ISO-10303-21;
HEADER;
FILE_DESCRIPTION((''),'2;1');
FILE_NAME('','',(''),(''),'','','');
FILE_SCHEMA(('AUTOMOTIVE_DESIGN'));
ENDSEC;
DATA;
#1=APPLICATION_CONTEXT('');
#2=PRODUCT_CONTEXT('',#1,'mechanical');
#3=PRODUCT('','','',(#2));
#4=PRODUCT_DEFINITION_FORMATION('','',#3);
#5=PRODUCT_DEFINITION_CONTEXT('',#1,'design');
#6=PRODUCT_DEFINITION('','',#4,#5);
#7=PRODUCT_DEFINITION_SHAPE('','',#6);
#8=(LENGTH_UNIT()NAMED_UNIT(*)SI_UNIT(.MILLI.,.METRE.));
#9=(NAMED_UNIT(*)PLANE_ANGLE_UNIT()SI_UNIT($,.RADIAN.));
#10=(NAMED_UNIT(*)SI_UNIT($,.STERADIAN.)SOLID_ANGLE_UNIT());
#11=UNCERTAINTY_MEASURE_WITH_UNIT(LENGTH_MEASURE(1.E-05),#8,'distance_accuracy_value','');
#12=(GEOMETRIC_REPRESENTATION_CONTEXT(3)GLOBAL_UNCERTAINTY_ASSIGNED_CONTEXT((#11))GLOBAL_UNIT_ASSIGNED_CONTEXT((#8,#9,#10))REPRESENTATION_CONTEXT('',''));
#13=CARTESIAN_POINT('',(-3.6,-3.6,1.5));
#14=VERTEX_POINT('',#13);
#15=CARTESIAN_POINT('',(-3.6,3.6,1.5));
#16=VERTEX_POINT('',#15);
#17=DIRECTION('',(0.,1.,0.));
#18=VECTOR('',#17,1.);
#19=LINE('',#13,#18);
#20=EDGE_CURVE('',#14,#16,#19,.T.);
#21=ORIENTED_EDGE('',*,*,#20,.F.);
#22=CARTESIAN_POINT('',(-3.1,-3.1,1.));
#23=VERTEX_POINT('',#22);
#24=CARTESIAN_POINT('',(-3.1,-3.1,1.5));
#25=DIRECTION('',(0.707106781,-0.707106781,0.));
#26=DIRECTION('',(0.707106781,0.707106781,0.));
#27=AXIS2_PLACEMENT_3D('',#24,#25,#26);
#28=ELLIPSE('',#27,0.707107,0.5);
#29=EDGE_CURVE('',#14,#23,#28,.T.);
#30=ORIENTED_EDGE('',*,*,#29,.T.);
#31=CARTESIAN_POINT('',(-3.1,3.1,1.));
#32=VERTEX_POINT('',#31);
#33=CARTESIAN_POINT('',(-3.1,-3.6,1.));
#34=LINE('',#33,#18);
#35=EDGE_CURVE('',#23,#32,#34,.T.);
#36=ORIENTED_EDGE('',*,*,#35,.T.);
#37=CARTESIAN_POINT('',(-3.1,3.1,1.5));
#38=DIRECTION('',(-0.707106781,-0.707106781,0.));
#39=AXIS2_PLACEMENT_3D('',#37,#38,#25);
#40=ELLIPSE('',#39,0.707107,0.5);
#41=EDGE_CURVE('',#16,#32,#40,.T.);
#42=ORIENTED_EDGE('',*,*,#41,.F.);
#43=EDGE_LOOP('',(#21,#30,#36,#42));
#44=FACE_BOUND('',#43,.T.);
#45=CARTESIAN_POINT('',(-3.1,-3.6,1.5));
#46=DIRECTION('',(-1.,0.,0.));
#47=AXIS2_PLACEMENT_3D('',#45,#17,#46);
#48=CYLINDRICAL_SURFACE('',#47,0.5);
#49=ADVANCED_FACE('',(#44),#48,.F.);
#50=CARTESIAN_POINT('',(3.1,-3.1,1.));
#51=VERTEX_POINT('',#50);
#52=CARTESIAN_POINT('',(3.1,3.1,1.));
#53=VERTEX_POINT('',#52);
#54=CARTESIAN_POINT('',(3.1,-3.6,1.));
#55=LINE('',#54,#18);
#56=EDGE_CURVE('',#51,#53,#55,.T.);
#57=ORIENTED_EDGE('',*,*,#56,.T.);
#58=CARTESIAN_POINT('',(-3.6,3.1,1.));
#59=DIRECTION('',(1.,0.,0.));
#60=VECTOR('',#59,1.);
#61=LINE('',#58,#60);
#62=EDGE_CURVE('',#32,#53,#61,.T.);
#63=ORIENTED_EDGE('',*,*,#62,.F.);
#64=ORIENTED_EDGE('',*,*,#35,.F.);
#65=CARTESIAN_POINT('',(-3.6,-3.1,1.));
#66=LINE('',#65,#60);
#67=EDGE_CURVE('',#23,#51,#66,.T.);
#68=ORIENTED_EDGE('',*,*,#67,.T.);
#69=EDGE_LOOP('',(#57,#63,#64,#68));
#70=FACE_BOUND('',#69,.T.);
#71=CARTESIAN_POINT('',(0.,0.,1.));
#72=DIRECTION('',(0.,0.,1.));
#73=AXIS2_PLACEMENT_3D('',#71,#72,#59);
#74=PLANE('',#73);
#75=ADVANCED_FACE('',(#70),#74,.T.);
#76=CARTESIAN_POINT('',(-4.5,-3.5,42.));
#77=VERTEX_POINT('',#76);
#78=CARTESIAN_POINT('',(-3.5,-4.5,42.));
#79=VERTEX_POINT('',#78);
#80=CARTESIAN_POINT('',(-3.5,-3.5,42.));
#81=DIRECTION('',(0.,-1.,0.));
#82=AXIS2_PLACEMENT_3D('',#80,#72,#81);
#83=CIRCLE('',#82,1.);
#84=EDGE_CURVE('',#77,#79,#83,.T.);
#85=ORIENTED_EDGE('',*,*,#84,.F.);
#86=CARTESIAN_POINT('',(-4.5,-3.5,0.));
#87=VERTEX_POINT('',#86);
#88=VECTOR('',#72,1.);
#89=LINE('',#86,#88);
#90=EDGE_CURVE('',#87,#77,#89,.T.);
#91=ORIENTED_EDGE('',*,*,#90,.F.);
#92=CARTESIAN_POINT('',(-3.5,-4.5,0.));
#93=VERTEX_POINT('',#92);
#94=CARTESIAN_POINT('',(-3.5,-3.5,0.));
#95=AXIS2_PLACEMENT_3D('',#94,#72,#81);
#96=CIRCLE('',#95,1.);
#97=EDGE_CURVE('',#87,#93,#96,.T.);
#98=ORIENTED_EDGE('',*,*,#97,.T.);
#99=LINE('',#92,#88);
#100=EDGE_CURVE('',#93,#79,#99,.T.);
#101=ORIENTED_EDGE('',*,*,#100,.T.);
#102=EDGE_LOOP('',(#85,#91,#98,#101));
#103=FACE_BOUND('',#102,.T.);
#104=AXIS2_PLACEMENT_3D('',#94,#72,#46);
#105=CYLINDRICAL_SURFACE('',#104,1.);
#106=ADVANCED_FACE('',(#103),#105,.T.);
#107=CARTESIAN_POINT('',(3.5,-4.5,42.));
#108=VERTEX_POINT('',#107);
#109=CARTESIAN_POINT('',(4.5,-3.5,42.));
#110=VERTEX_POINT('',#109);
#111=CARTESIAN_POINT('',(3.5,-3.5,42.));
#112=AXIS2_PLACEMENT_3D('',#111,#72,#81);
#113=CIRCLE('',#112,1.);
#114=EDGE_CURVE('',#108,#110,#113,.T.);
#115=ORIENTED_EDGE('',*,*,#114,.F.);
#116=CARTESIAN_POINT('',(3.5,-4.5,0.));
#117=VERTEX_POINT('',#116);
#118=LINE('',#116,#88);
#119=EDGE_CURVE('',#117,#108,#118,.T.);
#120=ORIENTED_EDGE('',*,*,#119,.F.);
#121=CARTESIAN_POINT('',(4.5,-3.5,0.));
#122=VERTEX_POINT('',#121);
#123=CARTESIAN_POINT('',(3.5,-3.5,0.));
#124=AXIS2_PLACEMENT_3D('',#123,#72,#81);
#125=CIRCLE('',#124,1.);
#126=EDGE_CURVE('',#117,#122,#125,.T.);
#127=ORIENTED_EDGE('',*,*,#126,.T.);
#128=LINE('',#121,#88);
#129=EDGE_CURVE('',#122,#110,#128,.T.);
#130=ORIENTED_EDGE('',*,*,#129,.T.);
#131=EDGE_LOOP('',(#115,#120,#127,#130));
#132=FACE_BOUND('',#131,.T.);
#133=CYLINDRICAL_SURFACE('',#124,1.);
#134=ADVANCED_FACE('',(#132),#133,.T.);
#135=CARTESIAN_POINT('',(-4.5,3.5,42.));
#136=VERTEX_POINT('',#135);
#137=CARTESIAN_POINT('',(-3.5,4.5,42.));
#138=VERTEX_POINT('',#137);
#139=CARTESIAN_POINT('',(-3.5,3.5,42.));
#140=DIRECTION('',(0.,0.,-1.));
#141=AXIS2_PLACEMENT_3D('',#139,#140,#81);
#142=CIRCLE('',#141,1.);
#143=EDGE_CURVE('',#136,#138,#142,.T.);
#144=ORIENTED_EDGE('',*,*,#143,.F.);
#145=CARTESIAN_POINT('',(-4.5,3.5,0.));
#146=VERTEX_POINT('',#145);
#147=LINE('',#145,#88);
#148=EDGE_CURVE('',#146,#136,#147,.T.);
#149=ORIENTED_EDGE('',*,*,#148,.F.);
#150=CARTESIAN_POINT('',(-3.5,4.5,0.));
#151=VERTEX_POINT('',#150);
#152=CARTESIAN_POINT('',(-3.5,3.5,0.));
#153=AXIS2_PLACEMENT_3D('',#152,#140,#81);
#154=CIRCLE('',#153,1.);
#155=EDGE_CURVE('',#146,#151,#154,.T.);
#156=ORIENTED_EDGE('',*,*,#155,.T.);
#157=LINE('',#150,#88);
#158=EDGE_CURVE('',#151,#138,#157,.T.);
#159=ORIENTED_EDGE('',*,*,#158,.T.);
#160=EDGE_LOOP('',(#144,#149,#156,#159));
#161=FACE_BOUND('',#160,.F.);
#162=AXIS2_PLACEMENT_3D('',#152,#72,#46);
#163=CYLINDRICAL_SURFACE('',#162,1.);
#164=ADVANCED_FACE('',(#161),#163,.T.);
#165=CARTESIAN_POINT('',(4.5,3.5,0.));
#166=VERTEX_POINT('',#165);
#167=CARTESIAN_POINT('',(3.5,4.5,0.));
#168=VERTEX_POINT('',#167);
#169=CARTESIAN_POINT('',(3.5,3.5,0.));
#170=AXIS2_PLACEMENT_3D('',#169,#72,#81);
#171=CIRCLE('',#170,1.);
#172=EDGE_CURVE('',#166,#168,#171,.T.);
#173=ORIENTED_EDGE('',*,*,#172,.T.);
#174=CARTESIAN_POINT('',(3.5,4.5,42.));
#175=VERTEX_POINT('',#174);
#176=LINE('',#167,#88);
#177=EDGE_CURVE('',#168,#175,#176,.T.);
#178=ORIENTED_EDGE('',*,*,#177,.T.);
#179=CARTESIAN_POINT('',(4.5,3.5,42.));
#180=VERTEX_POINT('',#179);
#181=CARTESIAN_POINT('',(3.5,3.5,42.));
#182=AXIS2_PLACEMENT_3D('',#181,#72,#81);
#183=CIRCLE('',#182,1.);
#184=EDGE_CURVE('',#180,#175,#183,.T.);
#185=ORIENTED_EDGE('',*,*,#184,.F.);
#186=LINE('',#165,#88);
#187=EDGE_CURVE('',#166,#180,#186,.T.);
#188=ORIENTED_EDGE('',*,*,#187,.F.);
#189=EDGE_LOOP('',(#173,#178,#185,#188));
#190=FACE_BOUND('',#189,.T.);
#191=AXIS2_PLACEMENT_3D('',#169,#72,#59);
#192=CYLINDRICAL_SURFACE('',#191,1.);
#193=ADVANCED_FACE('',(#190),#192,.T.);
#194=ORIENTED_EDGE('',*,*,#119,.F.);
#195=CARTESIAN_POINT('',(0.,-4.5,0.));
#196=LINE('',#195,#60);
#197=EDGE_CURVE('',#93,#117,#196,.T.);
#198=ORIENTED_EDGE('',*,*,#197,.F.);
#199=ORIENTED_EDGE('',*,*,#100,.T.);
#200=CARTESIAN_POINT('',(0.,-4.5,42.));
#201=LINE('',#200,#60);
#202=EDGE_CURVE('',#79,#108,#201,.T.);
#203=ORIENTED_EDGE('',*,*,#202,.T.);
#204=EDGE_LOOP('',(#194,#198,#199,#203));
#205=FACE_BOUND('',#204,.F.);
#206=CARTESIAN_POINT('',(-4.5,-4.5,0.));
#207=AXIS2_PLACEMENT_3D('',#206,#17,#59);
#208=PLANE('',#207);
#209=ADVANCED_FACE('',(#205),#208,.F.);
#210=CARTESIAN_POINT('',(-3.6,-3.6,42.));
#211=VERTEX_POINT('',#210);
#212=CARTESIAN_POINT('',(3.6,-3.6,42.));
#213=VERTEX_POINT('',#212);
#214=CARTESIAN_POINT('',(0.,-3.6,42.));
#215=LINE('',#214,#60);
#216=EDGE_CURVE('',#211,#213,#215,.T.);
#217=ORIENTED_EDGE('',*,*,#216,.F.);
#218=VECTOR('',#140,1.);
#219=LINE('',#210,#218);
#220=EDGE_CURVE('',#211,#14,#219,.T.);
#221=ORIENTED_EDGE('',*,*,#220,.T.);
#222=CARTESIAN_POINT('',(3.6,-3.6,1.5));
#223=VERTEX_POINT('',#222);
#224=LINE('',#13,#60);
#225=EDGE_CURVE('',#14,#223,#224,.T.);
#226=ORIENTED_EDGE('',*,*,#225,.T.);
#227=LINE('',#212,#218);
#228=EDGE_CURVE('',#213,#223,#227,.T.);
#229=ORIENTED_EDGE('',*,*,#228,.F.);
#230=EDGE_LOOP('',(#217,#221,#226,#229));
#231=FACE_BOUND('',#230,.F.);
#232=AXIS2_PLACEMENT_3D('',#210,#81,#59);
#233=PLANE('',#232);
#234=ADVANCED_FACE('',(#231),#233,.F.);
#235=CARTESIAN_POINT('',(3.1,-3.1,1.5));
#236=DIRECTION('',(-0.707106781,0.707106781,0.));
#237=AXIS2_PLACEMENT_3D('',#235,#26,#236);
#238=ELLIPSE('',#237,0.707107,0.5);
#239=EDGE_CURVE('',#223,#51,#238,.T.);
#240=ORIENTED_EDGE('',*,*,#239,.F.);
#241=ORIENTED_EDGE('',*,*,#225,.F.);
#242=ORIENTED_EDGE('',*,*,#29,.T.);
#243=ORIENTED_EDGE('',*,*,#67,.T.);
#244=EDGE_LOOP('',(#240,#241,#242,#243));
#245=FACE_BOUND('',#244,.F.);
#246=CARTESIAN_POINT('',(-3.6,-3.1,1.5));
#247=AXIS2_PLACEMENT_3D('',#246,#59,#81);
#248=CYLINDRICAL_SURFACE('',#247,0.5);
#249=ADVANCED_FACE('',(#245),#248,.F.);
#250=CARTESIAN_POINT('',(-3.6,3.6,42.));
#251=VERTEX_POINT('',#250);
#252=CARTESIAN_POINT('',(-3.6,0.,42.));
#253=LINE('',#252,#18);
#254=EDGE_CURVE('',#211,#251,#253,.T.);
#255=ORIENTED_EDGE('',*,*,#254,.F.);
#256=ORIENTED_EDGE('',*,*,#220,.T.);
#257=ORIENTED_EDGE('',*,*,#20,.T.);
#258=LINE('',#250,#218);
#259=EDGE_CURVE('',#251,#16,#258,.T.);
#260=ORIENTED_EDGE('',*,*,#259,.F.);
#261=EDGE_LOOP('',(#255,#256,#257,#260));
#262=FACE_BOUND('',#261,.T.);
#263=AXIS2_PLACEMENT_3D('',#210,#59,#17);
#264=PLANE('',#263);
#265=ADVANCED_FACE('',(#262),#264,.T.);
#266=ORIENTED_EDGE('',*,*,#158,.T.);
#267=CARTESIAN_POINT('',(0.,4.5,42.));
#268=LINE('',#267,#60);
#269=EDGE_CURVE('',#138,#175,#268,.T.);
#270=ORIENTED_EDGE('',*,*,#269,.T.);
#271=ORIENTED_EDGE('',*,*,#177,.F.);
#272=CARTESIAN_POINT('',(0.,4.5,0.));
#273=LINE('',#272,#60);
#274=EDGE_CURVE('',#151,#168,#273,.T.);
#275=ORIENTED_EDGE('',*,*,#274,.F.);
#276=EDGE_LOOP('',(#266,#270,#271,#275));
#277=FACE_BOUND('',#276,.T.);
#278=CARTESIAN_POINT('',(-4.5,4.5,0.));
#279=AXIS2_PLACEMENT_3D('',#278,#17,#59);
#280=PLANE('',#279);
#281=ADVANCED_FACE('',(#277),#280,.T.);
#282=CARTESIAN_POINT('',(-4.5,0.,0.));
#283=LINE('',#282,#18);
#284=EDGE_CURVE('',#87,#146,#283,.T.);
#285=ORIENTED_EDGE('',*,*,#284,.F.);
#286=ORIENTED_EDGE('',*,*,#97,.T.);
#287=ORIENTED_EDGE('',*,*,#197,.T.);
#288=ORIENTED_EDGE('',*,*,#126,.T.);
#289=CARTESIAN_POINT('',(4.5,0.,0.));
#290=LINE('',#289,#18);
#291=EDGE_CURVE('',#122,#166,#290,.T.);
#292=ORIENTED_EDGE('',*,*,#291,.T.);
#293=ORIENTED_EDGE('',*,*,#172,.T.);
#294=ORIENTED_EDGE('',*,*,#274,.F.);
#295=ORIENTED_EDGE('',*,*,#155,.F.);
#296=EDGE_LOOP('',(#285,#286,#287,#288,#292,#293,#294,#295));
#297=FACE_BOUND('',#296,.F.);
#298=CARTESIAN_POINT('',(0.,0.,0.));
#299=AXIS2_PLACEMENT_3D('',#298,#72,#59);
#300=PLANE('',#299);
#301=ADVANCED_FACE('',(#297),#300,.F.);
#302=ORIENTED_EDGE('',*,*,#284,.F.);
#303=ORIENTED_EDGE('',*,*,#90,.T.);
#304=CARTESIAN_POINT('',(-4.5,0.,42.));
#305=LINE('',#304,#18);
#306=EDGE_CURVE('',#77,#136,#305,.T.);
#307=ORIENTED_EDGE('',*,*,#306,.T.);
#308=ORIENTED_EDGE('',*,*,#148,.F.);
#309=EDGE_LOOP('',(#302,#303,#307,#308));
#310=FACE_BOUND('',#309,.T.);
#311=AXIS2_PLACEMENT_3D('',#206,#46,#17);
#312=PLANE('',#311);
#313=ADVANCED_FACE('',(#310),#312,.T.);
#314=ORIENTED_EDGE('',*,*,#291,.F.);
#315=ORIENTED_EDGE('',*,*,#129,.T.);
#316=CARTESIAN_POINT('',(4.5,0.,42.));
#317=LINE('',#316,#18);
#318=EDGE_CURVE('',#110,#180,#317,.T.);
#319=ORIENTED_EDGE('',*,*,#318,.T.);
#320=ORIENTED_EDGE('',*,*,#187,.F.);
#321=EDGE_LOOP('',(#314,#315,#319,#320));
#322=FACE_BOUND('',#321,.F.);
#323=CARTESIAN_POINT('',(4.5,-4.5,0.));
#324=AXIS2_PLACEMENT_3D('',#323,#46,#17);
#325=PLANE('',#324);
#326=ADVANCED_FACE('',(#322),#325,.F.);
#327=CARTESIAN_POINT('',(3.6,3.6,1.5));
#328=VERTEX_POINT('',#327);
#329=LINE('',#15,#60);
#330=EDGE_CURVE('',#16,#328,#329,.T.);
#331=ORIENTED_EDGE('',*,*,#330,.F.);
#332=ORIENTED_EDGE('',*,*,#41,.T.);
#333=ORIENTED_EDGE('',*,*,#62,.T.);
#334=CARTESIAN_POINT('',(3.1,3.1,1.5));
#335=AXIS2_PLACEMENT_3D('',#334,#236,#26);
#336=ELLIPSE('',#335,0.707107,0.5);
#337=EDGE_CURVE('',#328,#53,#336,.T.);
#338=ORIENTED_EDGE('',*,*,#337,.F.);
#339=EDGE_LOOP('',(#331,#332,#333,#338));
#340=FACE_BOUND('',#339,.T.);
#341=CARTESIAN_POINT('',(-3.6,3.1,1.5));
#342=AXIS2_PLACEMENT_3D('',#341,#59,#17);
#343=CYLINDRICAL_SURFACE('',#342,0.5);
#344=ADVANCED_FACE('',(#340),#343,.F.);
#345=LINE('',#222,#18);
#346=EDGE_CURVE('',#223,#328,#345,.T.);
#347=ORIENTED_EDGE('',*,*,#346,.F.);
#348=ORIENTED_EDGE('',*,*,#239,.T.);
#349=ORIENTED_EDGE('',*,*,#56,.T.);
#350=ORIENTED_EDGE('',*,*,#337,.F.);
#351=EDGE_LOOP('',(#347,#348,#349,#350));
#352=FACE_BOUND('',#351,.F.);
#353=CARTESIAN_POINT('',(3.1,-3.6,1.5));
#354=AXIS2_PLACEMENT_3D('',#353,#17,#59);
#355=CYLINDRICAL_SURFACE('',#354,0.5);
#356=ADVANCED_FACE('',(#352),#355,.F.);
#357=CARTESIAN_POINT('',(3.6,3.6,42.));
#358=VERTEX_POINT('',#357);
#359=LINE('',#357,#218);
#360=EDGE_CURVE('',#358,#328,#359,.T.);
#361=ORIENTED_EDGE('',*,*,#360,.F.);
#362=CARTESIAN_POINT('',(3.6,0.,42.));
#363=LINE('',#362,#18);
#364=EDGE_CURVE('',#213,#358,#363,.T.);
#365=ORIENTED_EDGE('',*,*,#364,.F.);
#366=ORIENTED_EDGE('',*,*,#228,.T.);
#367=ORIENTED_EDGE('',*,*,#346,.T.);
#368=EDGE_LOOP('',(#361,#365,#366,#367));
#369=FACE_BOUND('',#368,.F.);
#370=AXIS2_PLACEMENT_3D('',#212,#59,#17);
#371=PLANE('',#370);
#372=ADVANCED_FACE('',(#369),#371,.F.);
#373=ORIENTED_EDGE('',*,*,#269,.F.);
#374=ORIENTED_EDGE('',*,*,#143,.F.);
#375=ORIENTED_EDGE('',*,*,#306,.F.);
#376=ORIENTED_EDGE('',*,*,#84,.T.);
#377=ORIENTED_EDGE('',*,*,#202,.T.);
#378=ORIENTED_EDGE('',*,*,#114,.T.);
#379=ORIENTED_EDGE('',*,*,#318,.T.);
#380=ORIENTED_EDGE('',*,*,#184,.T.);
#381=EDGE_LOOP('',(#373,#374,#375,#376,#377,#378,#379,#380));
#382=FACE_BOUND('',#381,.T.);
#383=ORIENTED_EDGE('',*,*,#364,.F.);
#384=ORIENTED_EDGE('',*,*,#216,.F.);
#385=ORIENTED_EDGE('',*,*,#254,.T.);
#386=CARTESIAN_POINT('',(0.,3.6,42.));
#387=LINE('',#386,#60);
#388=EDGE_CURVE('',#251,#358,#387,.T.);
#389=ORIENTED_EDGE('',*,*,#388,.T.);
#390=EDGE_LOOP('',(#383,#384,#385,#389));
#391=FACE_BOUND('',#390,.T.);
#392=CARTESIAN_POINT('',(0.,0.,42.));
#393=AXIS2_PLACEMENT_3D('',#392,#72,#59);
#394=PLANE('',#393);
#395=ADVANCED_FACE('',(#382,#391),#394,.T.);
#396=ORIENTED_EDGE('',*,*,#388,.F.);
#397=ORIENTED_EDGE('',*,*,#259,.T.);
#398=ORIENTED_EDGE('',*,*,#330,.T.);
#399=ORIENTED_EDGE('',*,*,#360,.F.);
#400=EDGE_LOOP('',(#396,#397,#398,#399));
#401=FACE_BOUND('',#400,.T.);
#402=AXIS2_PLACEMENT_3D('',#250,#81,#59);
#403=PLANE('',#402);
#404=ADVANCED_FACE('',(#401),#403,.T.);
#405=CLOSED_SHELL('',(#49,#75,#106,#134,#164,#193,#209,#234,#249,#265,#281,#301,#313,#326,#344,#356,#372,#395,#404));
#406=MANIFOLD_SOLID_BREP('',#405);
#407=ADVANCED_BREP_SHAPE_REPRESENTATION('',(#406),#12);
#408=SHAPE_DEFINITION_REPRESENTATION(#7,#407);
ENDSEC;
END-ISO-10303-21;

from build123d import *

# Parameters (mm, degrees)
F0_W     = 9
F0_H     = 9
F1_DEPTH = 42
F2_R     = 1
F3_W     = 7.2
F3_H     = 7.2
F4_DEPTH = 41
F5_R     = 0.5


with BuildPart() as f1:
    # F0 (on Top) → F1 (new body)
    with BuildSketch(Plane.XY):
        Rectangle(F0_W, F0_H)
    extrude(amount=F1_DEPTH)

    # F2
    f2_edges = [f1.edges().sort_by_distance(p)[0] for p in [
        (-4.5, -4.5, 21),
        (4.5, -4.5, 21),
        (4.5, 4.5, 21),
        (-4.5, 4.5, 21),
    ]]
    fillet(f2_edges, radius=F2_R)

    # F3 (on face) → F4 (cut)
    with BuildSketch(Plane.XY.offset(42)):
        Rectangle(F3_W, F3_H)
    extrude(amount=-F4_DEPTH, mode=Mode.SUBTRACT)

    # F5
    f5_edges = [f1.edges().sort_by_distance(p)[0] for p in [
        (0, 3.6, 1),
        (-3.6, 0, 1),
        (3.6, 0, 1),
        (0, -3.6, 1),
    ]]
    fillet(f5_edges, radius=F5_R)


solid = f1.part
